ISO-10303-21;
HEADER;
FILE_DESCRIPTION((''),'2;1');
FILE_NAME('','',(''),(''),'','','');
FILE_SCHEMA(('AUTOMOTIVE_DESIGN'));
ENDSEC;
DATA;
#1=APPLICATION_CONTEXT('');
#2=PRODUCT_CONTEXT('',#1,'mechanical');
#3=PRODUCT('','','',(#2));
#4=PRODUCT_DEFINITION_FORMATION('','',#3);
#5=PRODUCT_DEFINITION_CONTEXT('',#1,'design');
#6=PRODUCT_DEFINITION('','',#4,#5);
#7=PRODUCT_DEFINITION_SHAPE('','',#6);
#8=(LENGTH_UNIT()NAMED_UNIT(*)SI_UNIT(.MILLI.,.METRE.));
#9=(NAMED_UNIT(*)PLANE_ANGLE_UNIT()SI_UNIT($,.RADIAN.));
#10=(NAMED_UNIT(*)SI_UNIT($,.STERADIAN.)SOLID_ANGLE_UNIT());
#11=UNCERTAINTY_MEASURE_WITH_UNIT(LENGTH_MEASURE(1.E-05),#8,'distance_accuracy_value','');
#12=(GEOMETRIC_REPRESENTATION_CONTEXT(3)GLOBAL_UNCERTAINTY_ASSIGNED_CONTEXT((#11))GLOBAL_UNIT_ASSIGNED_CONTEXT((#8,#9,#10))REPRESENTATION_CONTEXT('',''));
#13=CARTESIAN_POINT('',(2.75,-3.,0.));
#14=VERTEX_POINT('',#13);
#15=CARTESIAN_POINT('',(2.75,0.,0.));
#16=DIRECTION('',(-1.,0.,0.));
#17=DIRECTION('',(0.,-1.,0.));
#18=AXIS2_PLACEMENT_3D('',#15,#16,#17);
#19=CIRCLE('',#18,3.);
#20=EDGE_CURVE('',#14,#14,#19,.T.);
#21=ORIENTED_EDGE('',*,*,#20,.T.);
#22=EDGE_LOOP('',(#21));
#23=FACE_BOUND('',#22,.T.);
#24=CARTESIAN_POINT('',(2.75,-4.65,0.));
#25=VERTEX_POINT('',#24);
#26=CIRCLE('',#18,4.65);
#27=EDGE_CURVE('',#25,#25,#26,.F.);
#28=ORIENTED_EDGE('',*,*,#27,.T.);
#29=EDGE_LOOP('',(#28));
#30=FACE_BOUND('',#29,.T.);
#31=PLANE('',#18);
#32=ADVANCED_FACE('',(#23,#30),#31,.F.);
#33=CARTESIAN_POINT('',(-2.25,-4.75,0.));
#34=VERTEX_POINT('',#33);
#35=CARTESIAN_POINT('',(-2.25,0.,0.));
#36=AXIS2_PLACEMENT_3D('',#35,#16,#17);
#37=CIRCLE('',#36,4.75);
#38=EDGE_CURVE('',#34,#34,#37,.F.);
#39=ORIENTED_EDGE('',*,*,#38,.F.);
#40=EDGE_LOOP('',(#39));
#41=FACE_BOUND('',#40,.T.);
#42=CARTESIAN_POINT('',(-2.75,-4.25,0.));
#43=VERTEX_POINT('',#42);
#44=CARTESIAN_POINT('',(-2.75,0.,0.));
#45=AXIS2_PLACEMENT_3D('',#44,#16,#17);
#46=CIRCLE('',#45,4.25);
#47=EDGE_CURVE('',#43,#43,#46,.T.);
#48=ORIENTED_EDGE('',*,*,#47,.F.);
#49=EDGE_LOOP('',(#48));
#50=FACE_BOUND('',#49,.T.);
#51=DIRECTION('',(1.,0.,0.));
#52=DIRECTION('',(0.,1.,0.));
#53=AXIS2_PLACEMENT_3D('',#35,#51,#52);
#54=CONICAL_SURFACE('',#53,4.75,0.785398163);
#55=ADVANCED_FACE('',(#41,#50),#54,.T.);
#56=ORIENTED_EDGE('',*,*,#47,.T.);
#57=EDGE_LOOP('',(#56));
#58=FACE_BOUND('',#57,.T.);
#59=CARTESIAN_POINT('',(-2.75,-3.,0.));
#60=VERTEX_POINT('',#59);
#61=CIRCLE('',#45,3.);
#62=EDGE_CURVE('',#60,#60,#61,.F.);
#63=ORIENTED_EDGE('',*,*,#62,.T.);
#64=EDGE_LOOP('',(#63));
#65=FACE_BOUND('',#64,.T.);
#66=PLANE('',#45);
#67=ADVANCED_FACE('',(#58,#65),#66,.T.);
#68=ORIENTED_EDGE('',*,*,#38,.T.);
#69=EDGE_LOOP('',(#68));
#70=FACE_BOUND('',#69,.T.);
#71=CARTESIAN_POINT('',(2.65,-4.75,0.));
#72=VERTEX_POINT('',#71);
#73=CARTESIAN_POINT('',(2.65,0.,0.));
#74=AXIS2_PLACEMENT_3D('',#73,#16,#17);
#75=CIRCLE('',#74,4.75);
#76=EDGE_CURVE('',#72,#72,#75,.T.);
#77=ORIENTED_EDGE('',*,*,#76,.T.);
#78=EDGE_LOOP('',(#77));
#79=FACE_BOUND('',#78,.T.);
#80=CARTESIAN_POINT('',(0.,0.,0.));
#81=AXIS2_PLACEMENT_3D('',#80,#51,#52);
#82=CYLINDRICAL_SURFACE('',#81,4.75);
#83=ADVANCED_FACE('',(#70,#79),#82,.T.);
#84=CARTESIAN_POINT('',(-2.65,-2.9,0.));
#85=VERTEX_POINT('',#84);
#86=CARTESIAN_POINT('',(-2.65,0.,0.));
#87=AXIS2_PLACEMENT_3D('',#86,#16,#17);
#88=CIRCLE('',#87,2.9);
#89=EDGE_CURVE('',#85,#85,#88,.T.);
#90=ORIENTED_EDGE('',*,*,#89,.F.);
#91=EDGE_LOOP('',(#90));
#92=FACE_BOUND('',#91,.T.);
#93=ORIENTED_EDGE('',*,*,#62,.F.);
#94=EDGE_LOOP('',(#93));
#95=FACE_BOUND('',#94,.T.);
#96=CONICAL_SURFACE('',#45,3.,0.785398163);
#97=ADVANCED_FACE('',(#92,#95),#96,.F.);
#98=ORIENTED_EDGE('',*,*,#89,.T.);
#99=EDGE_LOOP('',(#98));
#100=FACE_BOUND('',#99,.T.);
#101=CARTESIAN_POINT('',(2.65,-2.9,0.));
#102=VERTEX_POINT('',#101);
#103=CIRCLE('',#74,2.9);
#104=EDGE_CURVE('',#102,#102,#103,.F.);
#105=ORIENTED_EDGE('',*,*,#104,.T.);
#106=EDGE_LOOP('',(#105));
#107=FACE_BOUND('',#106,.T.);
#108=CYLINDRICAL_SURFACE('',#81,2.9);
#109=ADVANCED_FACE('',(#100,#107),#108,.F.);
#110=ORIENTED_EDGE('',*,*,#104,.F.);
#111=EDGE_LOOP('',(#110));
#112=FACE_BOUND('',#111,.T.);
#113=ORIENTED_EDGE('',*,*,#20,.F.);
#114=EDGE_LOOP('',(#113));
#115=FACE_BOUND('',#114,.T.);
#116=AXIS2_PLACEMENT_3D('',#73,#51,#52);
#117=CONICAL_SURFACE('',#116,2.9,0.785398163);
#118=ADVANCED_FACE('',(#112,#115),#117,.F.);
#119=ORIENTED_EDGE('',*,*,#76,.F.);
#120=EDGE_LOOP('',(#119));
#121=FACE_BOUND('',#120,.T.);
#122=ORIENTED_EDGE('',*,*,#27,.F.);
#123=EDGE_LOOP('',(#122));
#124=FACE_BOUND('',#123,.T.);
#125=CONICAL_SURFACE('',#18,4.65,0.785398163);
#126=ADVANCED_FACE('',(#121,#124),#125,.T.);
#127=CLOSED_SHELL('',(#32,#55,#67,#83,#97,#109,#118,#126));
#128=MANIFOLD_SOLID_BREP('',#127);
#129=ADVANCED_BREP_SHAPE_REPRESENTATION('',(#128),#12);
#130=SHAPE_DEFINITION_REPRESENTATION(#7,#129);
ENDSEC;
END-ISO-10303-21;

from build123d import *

# Parameters (mm, degrees)
ESQUISSE1_W     = 5.5
ESQUISSE1_H     = 1.85
CHANFREIN1_SIZE = 0.1
CHANFREIN2_SIZE = 0.5


with BuildPart() as part:
    # Esquisse1 → Révolution1 (revolve)
    with BuildSketch(Plane.XY):
        with Locations((0, 3.825)):
            Rectangle(ESQUISSE1_W, ESQUISSE1_H)
    revolve(axis=Axis((0, 0, 0), (-1, 0, 0)))

    # Chanfrein1
    chanfrein1_edges = [part.edges().sort_by_distance(p)[0] for p in [
        (2.75, -2.9, 0),
        (-2.75, -2.9, 0),
        (2.75, -4.75, 0),
    ]]
    chamfer(chanfrein1_edges, length=CHANFREIN1_SIZE)

    # Chanfrein2
    chanfrein2_edges = [part.edges().sort_by_distance(p)[0] for p in [
        (-2.75, -4.75, 0),
    ]]
    chamfer(chanfrein2_edges, length=CHANFREIN2_SIZE)


solid = part.part
